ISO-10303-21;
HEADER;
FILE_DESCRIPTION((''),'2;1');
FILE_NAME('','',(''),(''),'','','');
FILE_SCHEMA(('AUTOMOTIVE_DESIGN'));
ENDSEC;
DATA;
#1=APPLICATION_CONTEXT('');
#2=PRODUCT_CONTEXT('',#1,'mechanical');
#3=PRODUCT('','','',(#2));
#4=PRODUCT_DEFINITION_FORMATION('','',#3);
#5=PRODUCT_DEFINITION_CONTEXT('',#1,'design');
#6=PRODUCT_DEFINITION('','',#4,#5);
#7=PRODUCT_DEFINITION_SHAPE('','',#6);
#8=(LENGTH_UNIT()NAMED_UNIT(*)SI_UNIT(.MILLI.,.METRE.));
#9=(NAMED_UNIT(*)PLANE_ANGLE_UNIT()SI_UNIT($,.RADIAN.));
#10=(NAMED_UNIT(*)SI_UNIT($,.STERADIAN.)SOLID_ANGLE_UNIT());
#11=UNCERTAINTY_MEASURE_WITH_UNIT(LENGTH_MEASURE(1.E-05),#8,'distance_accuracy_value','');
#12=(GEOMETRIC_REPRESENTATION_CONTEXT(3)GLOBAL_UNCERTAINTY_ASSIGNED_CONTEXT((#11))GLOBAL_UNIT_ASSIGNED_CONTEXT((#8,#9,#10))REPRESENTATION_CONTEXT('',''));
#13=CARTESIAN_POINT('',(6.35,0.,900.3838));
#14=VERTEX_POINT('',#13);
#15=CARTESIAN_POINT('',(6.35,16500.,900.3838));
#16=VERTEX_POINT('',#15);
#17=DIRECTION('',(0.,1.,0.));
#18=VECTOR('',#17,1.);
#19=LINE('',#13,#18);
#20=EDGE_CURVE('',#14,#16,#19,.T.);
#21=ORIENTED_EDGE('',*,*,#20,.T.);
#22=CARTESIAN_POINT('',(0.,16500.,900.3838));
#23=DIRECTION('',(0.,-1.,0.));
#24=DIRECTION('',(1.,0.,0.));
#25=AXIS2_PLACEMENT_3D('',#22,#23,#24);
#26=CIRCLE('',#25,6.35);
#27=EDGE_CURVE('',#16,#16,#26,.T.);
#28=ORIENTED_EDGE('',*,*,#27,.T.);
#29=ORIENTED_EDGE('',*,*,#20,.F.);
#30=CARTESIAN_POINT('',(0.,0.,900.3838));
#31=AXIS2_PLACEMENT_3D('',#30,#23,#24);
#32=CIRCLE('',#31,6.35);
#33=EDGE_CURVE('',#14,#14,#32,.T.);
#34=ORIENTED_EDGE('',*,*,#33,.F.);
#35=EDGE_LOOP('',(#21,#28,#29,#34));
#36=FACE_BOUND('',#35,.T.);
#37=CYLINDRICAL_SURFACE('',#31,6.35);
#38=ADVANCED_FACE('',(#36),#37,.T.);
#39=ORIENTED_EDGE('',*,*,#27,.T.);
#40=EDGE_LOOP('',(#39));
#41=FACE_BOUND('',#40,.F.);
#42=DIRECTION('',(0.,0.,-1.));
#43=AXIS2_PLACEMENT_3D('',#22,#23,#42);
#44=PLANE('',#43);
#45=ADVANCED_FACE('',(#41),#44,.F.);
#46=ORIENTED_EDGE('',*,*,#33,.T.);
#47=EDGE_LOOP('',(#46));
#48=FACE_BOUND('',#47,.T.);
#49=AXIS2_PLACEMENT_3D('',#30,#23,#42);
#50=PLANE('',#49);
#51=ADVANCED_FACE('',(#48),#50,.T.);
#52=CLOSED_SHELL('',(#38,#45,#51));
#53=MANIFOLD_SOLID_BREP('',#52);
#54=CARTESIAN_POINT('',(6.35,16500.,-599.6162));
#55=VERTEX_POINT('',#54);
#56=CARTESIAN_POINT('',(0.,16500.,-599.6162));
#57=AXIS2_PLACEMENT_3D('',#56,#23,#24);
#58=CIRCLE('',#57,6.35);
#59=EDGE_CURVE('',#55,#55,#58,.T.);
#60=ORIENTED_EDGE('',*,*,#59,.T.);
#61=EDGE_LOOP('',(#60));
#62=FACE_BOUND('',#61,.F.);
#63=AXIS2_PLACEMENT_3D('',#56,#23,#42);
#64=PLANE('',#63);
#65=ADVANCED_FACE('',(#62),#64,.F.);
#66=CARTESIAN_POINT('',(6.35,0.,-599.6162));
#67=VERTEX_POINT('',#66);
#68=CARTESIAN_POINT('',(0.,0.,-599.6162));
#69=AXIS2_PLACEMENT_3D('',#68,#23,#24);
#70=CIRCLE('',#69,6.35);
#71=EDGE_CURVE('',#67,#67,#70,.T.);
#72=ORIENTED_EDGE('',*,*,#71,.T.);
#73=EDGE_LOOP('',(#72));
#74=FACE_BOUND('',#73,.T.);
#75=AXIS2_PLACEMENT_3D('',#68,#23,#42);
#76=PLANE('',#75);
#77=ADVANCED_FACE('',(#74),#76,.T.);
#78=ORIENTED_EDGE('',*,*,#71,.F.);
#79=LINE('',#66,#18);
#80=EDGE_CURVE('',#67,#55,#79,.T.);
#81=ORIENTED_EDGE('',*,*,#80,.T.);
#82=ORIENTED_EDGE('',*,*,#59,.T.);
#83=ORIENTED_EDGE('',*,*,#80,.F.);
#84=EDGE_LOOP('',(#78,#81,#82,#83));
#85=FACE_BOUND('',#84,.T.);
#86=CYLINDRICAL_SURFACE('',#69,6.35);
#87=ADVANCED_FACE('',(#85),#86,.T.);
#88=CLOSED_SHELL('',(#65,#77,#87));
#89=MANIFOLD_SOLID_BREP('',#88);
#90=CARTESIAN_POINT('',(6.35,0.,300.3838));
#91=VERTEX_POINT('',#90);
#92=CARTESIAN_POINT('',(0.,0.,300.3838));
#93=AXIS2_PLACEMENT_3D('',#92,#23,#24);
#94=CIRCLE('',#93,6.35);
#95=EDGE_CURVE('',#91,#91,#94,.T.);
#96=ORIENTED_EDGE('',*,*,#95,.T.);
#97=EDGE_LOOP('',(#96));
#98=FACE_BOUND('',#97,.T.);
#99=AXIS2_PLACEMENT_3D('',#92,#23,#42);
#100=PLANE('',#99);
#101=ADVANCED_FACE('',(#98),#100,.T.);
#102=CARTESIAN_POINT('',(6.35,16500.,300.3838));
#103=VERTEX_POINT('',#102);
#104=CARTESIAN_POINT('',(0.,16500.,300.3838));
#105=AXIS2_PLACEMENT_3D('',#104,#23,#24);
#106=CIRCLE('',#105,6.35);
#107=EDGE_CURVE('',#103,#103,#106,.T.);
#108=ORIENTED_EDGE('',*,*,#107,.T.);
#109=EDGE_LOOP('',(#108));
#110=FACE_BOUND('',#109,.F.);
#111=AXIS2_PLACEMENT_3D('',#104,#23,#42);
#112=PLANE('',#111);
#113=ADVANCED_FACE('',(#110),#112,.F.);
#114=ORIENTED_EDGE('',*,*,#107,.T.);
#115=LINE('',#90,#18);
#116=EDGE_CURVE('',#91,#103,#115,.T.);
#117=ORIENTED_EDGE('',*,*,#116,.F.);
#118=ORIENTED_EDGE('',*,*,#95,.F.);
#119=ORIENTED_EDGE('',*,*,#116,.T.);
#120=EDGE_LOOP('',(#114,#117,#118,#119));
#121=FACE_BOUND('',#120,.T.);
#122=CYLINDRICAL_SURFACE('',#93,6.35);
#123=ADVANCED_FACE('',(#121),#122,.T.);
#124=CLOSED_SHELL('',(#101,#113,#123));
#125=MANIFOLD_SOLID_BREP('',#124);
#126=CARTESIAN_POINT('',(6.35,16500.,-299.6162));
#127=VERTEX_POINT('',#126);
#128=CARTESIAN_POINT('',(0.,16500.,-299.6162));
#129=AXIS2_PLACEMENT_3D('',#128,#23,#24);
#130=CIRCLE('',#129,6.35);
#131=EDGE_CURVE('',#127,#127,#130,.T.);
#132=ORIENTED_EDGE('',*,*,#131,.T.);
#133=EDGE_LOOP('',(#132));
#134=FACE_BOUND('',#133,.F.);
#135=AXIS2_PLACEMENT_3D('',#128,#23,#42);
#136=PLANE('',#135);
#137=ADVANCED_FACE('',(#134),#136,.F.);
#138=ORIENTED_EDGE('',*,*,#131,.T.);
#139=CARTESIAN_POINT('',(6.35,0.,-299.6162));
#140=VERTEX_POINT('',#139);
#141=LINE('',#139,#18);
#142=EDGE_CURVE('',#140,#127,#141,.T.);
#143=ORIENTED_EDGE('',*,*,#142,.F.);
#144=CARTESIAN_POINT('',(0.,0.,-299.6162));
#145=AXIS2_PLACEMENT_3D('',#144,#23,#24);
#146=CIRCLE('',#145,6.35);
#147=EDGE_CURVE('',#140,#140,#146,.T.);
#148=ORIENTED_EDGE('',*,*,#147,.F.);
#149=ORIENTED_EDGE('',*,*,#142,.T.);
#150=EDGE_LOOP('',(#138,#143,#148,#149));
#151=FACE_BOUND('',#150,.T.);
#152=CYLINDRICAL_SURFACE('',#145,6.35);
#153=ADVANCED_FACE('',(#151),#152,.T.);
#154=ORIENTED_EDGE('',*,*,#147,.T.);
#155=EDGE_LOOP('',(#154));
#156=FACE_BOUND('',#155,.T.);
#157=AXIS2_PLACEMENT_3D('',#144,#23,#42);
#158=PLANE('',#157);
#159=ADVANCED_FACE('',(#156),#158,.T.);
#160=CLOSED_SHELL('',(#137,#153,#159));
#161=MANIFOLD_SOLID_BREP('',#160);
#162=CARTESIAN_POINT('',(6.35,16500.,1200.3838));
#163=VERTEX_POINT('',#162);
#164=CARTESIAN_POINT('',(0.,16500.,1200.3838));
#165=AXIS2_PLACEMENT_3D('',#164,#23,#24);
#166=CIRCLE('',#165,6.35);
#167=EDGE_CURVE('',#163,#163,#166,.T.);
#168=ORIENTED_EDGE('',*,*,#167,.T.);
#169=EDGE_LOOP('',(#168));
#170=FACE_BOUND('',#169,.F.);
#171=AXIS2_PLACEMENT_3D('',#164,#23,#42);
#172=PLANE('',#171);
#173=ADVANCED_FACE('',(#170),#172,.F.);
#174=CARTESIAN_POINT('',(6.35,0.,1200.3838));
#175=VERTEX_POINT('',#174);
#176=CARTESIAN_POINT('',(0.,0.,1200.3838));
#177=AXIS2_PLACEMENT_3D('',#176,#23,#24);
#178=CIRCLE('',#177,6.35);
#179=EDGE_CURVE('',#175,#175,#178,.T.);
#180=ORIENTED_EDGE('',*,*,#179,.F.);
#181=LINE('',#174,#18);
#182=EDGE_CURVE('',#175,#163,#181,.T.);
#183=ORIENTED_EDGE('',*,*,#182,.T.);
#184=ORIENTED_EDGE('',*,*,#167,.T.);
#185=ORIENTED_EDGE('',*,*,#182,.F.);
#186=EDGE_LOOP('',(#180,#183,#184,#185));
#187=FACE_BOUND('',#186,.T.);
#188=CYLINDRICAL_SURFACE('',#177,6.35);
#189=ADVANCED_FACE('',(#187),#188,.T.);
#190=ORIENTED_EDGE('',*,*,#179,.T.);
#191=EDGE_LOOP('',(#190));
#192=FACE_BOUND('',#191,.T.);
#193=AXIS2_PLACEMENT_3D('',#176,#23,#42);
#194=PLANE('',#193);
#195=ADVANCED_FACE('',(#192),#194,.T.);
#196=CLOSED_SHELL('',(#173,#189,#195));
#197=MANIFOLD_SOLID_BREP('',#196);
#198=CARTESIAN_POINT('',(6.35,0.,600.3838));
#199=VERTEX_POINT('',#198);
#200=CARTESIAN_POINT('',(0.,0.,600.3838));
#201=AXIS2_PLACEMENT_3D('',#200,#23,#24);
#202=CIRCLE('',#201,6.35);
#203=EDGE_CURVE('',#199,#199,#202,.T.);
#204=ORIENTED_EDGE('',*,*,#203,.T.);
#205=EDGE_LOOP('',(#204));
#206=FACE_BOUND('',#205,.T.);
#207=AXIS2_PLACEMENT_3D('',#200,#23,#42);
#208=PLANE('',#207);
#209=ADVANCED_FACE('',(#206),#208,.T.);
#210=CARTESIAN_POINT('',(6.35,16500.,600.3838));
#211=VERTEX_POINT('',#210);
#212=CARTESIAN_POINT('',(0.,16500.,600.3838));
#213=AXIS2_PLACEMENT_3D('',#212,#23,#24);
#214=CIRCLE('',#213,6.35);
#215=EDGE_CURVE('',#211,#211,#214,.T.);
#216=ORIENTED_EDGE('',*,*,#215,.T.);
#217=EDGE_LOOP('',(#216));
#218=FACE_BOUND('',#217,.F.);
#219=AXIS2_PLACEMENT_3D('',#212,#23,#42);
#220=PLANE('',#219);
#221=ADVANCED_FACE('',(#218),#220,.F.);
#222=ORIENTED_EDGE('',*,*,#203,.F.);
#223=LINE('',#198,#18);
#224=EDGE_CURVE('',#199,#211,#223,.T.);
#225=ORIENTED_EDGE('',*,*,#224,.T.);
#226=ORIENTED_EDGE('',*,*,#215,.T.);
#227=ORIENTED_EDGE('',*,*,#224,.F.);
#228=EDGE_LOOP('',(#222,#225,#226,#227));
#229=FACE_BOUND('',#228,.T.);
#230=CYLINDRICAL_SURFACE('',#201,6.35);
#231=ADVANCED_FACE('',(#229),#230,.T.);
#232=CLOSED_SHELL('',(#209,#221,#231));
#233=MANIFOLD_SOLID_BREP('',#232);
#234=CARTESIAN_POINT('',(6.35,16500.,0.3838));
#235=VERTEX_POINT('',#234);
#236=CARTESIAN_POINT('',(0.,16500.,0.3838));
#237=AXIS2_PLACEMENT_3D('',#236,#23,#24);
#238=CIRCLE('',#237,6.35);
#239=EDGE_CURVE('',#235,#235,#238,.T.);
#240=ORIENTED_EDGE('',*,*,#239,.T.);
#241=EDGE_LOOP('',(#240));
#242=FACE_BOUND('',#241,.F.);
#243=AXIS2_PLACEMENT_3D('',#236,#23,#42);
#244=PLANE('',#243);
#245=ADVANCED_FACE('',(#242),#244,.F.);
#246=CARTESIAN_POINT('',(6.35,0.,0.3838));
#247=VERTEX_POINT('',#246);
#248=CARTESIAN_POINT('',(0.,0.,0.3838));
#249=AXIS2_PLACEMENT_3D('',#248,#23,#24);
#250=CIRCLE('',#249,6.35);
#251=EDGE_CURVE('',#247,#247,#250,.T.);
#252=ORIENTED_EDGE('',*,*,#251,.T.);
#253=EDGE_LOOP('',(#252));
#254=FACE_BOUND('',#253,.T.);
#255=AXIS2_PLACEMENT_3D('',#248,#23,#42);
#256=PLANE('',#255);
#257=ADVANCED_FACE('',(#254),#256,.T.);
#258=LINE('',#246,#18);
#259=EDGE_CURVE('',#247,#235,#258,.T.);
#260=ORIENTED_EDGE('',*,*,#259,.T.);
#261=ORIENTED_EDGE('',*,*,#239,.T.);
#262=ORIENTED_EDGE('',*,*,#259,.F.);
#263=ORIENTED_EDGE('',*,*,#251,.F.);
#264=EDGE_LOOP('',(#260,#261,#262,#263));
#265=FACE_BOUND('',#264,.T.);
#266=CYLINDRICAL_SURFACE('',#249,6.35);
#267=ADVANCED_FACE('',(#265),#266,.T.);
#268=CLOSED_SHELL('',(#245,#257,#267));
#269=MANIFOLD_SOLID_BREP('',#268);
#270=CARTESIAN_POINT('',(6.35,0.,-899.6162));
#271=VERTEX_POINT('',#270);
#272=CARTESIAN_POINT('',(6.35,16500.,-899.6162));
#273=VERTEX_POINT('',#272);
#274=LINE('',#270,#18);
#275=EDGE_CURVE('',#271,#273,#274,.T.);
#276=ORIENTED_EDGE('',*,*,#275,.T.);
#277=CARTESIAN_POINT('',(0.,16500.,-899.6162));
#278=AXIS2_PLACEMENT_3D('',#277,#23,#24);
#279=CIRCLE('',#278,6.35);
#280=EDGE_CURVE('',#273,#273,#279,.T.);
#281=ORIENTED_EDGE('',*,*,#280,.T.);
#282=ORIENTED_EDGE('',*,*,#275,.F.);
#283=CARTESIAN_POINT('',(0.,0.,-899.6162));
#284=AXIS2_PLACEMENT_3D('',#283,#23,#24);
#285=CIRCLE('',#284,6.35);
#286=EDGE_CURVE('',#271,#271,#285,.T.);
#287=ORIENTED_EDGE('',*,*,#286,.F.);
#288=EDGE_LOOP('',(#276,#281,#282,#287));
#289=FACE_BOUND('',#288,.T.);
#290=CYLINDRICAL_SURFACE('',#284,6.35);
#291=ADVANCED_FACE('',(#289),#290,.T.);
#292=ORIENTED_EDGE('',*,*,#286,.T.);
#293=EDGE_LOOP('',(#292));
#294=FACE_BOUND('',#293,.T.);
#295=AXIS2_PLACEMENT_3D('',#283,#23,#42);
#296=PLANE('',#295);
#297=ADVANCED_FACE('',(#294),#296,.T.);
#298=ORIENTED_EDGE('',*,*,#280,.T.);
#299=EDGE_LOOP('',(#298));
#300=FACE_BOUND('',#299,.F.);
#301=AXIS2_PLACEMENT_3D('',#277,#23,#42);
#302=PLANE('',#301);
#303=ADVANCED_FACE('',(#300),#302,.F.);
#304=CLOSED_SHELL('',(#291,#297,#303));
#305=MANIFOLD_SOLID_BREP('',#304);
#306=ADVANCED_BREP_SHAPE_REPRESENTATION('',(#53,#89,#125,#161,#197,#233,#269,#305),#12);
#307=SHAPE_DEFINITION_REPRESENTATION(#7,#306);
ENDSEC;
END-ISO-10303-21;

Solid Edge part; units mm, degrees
sketch "Sketch1" plane through (0, 0, 0) normal (0, -1, 0) x (1, 0, 0)
  circle A0 centre (0, 1200.3838) radius 6.35
  circle A1 centre (0, 900.3838) radius 6.35
  circle A2 centre (0, 600.3838) radius 6.35
  circle A3 centre (0, 300.3838) radius 6.35
  circle A4 centre (0, 0.3838) radius 6.35
  circle A5 centre (0, -299.6162) radius 6.35
  circle A6 centre (0, -599.6162) radius 6.35
  circle A7 centre (0, -899.6162) radius 6.35
extrude "Protrusion1" add sketch "Sketch1" against normal blind 16500
